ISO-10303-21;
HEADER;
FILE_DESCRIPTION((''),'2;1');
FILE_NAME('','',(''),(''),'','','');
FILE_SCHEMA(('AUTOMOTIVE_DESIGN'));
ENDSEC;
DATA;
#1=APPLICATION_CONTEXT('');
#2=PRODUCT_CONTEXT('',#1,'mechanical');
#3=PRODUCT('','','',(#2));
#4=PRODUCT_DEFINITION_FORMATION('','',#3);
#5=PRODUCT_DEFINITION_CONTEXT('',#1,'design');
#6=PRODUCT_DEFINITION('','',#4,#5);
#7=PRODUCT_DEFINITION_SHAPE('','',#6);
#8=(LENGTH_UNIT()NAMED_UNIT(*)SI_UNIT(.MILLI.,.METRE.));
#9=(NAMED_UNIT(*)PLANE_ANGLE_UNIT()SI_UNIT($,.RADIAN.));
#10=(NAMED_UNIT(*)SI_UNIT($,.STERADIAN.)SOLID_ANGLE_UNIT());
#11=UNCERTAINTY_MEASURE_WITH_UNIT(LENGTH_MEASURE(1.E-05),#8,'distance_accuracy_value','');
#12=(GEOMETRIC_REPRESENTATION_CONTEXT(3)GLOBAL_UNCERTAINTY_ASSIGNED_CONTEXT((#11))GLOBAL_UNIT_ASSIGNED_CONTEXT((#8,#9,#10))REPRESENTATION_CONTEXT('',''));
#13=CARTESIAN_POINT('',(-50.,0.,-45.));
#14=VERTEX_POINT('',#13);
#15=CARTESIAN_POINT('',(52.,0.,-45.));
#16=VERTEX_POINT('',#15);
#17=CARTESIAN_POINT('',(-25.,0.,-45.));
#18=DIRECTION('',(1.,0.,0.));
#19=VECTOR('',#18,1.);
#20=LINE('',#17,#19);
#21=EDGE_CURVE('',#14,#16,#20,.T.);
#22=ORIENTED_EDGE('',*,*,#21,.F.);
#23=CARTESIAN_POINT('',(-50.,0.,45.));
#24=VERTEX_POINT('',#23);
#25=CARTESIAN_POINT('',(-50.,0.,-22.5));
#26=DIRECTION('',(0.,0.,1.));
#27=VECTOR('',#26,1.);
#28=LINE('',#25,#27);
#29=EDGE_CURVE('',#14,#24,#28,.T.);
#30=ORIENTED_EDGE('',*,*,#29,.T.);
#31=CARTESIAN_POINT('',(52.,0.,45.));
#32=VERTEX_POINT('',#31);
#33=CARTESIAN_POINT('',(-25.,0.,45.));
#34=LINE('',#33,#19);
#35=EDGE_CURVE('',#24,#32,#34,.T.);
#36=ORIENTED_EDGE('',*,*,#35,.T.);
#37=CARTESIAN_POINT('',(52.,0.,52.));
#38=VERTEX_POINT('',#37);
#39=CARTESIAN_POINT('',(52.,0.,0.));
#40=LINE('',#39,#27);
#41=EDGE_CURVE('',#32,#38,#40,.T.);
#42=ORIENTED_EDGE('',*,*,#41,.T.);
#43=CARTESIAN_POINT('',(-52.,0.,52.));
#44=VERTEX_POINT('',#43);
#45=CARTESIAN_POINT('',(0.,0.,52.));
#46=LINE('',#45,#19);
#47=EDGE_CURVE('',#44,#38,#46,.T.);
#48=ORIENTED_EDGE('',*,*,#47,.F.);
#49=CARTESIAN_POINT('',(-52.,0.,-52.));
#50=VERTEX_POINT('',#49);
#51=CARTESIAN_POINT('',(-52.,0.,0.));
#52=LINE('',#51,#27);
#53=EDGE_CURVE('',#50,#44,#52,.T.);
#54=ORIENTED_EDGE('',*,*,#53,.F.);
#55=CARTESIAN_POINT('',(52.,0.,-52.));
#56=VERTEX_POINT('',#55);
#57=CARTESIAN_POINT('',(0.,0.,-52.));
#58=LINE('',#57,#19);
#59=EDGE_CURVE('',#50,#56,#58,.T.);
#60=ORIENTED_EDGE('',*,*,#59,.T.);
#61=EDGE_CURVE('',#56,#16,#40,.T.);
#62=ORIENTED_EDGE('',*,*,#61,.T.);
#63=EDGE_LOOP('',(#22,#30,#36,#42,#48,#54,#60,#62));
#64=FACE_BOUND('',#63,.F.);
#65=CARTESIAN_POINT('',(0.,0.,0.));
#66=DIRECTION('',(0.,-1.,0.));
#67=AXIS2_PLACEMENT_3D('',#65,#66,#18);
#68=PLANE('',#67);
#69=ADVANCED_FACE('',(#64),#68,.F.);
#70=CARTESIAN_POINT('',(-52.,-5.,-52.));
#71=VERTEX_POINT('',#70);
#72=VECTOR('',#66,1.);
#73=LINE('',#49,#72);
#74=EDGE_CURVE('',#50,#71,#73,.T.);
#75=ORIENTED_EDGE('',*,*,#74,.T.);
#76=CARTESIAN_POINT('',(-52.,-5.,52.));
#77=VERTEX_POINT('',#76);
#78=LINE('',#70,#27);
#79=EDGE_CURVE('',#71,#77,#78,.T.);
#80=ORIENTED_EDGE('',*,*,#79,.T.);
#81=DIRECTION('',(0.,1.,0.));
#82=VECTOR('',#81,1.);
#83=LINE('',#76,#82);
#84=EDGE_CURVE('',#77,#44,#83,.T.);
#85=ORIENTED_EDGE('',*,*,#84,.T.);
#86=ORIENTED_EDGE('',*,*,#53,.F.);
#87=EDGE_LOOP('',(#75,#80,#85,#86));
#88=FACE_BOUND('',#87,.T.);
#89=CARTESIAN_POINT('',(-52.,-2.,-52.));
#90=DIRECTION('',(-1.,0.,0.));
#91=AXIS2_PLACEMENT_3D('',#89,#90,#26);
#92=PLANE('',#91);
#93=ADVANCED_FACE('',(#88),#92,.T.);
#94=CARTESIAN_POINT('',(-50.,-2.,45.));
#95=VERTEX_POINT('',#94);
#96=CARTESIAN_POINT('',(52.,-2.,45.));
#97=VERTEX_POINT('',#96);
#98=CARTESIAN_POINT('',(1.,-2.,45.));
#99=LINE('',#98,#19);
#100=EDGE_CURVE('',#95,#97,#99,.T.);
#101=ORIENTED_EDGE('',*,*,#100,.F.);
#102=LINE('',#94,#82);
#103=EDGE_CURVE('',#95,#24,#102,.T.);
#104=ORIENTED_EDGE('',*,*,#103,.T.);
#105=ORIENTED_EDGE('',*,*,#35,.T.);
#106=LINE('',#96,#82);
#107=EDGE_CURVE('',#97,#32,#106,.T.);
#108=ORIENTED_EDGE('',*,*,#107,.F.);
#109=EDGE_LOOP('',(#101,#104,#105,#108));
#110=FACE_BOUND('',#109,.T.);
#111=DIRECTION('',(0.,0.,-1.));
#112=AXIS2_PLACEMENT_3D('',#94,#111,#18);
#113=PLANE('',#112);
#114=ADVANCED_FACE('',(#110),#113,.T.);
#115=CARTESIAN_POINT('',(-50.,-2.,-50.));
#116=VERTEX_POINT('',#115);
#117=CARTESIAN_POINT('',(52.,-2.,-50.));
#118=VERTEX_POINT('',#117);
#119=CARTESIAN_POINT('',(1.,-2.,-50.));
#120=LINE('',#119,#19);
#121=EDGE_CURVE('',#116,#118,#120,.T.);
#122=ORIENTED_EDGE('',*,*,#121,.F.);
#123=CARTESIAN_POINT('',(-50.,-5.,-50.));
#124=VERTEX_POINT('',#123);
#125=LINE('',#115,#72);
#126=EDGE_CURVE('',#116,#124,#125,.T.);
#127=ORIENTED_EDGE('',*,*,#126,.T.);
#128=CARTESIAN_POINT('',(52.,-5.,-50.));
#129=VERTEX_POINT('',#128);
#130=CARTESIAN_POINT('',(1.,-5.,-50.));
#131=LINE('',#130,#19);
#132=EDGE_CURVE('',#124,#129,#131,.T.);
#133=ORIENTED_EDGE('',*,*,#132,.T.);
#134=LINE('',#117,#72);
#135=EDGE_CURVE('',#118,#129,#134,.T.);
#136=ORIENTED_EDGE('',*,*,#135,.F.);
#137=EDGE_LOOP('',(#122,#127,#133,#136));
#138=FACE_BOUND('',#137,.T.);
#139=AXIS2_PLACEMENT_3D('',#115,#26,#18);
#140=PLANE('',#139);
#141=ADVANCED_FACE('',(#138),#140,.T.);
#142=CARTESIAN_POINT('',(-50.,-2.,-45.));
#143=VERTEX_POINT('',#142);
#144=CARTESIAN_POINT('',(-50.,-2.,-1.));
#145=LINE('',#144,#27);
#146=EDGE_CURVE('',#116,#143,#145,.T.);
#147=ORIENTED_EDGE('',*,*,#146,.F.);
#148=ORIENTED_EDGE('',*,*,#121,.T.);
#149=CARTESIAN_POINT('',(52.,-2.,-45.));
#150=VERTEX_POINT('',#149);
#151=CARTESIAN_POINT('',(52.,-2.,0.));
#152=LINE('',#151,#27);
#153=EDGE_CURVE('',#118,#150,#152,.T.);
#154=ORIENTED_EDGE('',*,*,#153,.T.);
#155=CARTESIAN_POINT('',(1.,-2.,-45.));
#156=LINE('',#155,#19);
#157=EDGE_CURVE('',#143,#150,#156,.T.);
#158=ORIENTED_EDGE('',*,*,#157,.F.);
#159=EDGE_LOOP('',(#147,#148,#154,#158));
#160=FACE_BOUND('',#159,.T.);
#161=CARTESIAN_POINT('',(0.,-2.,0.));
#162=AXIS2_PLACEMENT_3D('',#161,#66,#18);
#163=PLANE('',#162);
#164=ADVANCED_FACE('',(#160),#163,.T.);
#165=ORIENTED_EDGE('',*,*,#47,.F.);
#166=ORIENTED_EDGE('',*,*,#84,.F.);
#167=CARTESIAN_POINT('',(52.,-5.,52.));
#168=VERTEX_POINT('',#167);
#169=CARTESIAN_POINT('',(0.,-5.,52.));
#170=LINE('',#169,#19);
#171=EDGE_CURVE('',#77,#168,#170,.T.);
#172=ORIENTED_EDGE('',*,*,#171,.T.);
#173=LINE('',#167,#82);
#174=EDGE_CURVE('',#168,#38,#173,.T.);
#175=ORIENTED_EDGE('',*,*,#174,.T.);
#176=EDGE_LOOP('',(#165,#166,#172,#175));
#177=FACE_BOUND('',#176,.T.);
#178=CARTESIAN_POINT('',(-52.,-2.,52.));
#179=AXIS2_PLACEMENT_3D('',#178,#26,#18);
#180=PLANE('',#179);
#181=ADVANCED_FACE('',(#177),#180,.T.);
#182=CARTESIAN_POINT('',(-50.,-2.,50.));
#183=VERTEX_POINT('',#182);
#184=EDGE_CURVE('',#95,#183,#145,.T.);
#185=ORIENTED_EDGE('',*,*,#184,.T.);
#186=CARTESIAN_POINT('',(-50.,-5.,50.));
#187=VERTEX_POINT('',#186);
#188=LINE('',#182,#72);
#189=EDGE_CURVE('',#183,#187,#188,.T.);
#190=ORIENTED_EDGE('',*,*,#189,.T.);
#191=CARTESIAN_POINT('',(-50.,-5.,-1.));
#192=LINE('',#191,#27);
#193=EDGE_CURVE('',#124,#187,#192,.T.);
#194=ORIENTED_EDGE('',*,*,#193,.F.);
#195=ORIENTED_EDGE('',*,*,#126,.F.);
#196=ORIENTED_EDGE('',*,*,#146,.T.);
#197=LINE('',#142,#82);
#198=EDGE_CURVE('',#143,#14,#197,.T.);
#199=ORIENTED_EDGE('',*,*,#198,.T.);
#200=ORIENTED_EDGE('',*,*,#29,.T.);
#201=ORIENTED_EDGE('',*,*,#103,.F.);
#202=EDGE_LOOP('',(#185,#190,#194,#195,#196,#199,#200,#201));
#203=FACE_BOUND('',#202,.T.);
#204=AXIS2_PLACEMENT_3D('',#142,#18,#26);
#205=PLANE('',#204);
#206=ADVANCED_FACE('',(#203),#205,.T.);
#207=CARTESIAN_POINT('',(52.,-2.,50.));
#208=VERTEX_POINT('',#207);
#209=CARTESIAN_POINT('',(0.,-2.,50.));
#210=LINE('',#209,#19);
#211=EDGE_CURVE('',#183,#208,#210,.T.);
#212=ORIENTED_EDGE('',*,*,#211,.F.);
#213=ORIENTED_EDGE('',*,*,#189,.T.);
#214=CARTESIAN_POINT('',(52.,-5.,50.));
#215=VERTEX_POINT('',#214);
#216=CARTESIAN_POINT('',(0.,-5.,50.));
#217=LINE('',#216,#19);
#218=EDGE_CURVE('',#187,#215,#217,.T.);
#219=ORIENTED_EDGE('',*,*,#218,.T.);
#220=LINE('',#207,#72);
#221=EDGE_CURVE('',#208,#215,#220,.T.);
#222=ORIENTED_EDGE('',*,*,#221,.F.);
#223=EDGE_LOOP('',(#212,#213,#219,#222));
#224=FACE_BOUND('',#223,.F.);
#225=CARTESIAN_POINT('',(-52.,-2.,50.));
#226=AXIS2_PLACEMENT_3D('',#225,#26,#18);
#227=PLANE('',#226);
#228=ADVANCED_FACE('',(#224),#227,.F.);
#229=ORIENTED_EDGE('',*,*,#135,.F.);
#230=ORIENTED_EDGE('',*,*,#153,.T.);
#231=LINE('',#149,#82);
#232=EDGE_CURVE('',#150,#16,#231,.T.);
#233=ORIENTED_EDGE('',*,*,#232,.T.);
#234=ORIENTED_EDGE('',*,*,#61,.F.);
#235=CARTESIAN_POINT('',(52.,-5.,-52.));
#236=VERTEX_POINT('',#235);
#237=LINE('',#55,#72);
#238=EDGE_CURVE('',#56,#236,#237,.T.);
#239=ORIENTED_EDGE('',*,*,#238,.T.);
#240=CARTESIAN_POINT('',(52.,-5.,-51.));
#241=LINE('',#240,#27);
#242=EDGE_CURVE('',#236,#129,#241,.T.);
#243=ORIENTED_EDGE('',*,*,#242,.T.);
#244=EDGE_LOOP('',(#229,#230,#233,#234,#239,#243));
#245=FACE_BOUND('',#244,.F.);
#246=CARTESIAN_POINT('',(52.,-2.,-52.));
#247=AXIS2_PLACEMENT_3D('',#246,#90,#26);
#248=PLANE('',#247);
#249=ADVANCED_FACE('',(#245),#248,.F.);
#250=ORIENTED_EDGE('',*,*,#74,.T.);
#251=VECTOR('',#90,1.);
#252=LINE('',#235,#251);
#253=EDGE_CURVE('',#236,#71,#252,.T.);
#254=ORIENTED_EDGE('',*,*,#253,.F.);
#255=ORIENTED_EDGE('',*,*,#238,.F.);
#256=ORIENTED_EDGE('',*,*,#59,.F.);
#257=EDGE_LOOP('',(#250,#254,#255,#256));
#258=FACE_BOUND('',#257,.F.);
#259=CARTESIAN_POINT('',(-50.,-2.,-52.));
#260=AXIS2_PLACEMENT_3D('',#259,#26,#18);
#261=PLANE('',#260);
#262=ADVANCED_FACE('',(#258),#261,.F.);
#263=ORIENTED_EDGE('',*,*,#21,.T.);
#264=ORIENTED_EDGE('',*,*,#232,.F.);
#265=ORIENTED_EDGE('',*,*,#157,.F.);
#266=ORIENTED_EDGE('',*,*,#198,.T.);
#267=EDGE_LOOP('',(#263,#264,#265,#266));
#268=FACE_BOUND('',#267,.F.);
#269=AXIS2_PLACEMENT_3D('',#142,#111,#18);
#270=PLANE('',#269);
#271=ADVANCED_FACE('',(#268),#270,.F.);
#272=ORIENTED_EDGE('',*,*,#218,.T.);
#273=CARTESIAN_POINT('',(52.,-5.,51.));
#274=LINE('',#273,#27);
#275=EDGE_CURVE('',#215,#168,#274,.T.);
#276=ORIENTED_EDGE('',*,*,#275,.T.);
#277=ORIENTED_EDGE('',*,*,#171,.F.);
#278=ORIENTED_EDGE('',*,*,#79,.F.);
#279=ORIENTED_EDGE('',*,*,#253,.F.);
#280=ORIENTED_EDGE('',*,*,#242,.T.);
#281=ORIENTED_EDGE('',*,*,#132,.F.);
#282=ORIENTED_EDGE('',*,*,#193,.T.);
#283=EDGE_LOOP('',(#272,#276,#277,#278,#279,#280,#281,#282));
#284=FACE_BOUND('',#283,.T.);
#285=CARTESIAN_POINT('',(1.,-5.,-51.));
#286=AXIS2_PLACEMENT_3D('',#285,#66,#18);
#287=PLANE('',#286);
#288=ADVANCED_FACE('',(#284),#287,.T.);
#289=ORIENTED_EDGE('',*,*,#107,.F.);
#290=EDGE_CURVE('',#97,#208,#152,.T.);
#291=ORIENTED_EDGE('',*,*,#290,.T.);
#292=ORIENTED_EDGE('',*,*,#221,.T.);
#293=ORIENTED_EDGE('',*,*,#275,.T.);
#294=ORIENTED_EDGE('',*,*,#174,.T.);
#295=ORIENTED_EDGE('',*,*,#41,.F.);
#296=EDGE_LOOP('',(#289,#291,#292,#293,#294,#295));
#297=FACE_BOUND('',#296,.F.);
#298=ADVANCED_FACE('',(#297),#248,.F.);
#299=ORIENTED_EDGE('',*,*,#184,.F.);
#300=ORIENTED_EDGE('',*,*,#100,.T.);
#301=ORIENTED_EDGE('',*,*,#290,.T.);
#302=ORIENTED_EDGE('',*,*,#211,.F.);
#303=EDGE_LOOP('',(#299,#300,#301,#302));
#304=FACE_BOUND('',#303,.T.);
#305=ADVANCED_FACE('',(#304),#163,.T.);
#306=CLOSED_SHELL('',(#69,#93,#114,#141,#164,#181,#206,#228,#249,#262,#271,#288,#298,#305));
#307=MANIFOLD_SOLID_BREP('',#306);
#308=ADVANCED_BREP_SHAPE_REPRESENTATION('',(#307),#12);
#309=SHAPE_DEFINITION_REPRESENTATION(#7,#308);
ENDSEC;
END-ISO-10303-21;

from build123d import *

# Parameters (mm, degrees)
F0_W      = 104
F0_H      = 104
F1_DEPTH  = 2
F2_W      = 104
F2_H      = 2
F3_DEPTH  = 3
F4_W      = 2
F4_H      = 102
F5_DEPTH  = 3
F6_W      = 102
F6_H      = 2
F7_DEPTH  = 3
F10_W     = 102
F10_H     = 90
F11_DEPTH = 25


with BuildPart() as f1:
    # F0 (on Front) → F1 (new body)
    with BuildSketch(Plane.XZ):
        Rectangle(F0_W, F0_H)
    extrude(amount=F1_DEPTH)

    # F2 (on face) → F3 (join)
    with BuildSketch(Plane.XZ.offset(2)):
        with Locations((0, 51)):
            Rectangle(F2_W, F2_H)
    extrude(amount=F3_DEPTH)

    # F4 (on face) → F5 (join)
    with BuildSketch(Plane.XZ.offset(2)):
        with Locations((-51, -1)):
            Rectangle(F4_W, F4_H)
    extrude(amount=F5_DEPTH)

    # F6 (on face) → F7 (join)
    with BuildSketch(Plane.XZ.offset(2)):
        with Locations((1, -51)):
            Rectangle(F6_W, F6_H)
    extrude(amount=F7_DEPTH)

    # F10 (on face) → F11 (cut)
    with BuildSketch(Plane.XZ.offset(2)):
        with Locations((1, 0)):
            Rectangle(F10_W, F10_H)
    extrude(amount=-F11_DEPTH, mode=Mode.SUBTRACT)


solid = f1.part
